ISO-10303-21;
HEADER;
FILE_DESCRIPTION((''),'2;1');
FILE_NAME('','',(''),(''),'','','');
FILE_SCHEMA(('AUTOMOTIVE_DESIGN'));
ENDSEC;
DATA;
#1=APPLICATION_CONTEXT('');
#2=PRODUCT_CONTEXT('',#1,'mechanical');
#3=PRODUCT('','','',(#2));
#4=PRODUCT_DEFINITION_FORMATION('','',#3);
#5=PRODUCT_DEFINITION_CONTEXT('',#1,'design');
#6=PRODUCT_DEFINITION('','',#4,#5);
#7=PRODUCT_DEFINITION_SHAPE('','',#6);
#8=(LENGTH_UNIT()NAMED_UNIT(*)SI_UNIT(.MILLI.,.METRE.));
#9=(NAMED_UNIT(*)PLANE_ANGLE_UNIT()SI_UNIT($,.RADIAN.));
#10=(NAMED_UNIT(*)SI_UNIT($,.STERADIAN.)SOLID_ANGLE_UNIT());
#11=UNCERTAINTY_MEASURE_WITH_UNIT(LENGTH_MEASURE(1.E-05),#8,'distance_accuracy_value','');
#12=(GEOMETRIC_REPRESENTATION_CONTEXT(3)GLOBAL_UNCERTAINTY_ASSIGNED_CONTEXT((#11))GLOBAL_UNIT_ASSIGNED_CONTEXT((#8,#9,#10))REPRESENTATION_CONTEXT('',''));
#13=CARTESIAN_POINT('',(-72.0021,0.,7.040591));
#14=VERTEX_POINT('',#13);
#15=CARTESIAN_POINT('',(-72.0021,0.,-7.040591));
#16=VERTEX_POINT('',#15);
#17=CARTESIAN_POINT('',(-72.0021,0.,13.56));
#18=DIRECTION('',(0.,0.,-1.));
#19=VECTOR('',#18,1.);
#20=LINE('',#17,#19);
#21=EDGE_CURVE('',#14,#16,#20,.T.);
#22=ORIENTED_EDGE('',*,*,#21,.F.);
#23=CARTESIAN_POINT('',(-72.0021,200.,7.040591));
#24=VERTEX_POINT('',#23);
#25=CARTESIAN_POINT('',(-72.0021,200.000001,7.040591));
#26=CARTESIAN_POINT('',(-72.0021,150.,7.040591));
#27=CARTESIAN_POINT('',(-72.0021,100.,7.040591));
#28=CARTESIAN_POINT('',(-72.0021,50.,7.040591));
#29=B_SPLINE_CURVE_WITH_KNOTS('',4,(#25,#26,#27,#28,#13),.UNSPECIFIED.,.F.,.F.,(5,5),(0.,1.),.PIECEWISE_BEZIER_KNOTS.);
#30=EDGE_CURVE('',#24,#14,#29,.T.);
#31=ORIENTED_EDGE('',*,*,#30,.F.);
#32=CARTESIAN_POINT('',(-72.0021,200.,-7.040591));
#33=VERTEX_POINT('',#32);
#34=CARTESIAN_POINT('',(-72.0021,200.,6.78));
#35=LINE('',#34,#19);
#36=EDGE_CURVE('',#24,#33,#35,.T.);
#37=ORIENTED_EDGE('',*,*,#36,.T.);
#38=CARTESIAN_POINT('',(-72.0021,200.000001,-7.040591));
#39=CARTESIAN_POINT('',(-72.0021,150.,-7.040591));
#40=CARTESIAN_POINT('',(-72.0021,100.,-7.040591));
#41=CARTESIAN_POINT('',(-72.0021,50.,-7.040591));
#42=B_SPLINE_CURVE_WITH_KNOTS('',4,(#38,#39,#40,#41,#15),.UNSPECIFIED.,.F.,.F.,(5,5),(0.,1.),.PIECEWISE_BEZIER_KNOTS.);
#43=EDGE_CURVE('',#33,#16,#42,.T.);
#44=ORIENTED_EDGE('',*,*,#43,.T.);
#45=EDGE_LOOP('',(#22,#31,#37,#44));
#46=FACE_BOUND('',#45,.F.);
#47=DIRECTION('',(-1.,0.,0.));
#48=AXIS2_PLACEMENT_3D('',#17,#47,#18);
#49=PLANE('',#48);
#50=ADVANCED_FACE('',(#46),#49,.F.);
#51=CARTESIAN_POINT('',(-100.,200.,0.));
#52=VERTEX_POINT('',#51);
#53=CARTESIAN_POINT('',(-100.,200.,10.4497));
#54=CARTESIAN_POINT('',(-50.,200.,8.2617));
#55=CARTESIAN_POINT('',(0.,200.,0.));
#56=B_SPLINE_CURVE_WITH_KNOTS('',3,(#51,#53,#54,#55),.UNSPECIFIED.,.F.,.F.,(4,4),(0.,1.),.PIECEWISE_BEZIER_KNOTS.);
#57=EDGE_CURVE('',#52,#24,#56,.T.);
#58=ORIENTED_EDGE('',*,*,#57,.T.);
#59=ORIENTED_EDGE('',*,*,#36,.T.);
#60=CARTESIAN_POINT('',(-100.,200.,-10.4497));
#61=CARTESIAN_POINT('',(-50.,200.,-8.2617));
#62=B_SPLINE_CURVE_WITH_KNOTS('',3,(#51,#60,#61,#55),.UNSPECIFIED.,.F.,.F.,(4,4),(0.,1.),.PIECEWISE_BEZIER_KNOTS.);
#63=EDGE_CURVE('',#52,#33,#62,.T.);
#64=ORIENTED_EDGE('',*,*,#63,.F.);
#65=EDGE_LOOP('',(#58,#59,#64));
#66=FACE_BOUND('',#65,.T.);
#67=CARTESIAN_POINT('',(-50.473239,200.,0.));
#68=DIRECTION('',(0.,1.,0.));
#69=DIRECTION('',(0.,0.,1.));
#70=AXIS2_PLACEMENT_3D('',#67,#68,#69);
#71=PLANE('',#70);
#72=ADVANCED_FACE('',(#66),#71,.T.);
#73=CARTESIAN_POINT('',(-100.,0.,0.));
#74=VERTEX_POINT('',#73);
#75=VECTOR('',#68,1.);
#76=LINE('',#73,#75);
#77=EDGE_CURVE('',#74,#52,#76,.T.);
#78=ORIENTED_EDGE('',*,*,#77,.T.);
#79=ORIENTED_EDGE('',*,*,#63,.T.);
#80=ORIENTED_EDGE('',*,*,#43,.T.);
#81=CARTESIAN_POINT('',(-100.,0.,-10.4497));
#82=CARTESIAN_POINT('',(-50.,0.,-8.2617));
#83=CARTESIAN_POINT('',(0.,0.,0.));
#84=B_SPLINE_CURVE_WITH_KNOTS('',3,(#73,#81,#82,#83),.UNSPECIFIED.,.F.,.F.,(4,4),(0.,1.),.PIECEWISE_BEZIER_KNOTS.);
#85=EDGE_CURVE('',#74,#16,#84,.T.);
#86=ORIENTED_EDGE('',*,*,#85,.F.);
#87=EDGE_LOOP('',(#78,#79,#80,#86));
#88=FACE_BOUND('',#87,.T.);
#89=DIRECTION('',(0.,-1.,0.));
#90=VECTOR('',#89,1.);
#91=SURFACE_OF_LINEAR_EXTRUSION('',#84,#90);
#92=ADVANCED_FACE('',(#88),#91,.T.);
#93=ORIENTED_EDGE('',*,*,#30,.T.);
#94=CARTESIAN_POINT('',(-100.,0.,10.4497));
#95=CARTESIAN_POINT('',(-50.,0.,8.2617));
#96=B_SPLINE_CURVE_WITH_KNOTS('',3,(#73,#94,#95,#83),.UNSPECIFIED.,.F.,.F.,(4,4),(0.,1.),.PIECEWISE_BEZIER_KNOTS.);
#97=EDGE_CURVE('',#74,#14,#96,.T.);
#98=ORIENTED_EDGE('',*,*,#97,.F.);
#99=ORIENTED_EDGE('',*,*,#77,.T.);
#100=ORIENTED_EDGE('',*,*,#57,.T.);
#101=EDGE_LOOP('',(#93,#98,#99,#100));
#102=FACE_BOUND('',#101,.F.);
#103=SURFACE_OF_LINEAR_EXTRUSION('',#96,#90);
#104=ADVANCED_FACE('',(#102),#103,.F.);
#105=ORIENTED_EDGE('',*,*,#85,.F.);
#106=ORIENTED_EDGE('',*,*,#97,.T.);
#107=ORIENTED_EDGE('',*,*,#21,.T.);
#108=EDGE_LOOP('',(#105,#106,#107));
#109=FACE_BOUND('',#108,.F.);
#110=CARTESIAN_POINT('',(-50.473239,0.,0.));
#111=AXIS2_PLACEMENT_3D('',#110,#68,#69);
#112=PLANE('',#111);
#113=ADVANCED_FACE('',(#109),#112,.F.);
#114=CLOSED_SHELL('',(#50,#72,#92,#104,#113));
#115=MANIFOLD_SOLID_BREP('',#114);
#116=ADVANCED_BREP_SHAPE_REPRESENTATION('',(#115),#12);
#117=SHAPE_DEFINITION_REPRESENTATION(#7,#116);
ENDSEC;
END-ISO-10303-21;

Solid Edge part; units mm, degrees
sketch "Sketch1" plane through (0, 0, 0) normal (0, -1, 0) x (1, 0, 0)
  spline S0 degree 3 poles (-100, 0) (-100, 10.4497) (-50, 8.2617) (0, 0) knots 0 0 0 0 1 1 1 1
  spline S1 degree 3 poles (-100, 0) (-100, -10.4497) (-50, -8.2617) (0, 0) knots 0 0 0 0 1 1 1 1
extrude "Protrusion1" add sketch "Sketch1" against normal blind 200
sketch "Sketch2" plane through (-50, 0, 0) normal (0, -1, 0) x (1, 0, 0)
  line L0 (-22.0021, 13.56) -> (-22.0021, -15.1932)
extrude "Cutout1" cut sketch "Sketch2" against normal up to next material side at (-71.9521, 0, -0.8166)
